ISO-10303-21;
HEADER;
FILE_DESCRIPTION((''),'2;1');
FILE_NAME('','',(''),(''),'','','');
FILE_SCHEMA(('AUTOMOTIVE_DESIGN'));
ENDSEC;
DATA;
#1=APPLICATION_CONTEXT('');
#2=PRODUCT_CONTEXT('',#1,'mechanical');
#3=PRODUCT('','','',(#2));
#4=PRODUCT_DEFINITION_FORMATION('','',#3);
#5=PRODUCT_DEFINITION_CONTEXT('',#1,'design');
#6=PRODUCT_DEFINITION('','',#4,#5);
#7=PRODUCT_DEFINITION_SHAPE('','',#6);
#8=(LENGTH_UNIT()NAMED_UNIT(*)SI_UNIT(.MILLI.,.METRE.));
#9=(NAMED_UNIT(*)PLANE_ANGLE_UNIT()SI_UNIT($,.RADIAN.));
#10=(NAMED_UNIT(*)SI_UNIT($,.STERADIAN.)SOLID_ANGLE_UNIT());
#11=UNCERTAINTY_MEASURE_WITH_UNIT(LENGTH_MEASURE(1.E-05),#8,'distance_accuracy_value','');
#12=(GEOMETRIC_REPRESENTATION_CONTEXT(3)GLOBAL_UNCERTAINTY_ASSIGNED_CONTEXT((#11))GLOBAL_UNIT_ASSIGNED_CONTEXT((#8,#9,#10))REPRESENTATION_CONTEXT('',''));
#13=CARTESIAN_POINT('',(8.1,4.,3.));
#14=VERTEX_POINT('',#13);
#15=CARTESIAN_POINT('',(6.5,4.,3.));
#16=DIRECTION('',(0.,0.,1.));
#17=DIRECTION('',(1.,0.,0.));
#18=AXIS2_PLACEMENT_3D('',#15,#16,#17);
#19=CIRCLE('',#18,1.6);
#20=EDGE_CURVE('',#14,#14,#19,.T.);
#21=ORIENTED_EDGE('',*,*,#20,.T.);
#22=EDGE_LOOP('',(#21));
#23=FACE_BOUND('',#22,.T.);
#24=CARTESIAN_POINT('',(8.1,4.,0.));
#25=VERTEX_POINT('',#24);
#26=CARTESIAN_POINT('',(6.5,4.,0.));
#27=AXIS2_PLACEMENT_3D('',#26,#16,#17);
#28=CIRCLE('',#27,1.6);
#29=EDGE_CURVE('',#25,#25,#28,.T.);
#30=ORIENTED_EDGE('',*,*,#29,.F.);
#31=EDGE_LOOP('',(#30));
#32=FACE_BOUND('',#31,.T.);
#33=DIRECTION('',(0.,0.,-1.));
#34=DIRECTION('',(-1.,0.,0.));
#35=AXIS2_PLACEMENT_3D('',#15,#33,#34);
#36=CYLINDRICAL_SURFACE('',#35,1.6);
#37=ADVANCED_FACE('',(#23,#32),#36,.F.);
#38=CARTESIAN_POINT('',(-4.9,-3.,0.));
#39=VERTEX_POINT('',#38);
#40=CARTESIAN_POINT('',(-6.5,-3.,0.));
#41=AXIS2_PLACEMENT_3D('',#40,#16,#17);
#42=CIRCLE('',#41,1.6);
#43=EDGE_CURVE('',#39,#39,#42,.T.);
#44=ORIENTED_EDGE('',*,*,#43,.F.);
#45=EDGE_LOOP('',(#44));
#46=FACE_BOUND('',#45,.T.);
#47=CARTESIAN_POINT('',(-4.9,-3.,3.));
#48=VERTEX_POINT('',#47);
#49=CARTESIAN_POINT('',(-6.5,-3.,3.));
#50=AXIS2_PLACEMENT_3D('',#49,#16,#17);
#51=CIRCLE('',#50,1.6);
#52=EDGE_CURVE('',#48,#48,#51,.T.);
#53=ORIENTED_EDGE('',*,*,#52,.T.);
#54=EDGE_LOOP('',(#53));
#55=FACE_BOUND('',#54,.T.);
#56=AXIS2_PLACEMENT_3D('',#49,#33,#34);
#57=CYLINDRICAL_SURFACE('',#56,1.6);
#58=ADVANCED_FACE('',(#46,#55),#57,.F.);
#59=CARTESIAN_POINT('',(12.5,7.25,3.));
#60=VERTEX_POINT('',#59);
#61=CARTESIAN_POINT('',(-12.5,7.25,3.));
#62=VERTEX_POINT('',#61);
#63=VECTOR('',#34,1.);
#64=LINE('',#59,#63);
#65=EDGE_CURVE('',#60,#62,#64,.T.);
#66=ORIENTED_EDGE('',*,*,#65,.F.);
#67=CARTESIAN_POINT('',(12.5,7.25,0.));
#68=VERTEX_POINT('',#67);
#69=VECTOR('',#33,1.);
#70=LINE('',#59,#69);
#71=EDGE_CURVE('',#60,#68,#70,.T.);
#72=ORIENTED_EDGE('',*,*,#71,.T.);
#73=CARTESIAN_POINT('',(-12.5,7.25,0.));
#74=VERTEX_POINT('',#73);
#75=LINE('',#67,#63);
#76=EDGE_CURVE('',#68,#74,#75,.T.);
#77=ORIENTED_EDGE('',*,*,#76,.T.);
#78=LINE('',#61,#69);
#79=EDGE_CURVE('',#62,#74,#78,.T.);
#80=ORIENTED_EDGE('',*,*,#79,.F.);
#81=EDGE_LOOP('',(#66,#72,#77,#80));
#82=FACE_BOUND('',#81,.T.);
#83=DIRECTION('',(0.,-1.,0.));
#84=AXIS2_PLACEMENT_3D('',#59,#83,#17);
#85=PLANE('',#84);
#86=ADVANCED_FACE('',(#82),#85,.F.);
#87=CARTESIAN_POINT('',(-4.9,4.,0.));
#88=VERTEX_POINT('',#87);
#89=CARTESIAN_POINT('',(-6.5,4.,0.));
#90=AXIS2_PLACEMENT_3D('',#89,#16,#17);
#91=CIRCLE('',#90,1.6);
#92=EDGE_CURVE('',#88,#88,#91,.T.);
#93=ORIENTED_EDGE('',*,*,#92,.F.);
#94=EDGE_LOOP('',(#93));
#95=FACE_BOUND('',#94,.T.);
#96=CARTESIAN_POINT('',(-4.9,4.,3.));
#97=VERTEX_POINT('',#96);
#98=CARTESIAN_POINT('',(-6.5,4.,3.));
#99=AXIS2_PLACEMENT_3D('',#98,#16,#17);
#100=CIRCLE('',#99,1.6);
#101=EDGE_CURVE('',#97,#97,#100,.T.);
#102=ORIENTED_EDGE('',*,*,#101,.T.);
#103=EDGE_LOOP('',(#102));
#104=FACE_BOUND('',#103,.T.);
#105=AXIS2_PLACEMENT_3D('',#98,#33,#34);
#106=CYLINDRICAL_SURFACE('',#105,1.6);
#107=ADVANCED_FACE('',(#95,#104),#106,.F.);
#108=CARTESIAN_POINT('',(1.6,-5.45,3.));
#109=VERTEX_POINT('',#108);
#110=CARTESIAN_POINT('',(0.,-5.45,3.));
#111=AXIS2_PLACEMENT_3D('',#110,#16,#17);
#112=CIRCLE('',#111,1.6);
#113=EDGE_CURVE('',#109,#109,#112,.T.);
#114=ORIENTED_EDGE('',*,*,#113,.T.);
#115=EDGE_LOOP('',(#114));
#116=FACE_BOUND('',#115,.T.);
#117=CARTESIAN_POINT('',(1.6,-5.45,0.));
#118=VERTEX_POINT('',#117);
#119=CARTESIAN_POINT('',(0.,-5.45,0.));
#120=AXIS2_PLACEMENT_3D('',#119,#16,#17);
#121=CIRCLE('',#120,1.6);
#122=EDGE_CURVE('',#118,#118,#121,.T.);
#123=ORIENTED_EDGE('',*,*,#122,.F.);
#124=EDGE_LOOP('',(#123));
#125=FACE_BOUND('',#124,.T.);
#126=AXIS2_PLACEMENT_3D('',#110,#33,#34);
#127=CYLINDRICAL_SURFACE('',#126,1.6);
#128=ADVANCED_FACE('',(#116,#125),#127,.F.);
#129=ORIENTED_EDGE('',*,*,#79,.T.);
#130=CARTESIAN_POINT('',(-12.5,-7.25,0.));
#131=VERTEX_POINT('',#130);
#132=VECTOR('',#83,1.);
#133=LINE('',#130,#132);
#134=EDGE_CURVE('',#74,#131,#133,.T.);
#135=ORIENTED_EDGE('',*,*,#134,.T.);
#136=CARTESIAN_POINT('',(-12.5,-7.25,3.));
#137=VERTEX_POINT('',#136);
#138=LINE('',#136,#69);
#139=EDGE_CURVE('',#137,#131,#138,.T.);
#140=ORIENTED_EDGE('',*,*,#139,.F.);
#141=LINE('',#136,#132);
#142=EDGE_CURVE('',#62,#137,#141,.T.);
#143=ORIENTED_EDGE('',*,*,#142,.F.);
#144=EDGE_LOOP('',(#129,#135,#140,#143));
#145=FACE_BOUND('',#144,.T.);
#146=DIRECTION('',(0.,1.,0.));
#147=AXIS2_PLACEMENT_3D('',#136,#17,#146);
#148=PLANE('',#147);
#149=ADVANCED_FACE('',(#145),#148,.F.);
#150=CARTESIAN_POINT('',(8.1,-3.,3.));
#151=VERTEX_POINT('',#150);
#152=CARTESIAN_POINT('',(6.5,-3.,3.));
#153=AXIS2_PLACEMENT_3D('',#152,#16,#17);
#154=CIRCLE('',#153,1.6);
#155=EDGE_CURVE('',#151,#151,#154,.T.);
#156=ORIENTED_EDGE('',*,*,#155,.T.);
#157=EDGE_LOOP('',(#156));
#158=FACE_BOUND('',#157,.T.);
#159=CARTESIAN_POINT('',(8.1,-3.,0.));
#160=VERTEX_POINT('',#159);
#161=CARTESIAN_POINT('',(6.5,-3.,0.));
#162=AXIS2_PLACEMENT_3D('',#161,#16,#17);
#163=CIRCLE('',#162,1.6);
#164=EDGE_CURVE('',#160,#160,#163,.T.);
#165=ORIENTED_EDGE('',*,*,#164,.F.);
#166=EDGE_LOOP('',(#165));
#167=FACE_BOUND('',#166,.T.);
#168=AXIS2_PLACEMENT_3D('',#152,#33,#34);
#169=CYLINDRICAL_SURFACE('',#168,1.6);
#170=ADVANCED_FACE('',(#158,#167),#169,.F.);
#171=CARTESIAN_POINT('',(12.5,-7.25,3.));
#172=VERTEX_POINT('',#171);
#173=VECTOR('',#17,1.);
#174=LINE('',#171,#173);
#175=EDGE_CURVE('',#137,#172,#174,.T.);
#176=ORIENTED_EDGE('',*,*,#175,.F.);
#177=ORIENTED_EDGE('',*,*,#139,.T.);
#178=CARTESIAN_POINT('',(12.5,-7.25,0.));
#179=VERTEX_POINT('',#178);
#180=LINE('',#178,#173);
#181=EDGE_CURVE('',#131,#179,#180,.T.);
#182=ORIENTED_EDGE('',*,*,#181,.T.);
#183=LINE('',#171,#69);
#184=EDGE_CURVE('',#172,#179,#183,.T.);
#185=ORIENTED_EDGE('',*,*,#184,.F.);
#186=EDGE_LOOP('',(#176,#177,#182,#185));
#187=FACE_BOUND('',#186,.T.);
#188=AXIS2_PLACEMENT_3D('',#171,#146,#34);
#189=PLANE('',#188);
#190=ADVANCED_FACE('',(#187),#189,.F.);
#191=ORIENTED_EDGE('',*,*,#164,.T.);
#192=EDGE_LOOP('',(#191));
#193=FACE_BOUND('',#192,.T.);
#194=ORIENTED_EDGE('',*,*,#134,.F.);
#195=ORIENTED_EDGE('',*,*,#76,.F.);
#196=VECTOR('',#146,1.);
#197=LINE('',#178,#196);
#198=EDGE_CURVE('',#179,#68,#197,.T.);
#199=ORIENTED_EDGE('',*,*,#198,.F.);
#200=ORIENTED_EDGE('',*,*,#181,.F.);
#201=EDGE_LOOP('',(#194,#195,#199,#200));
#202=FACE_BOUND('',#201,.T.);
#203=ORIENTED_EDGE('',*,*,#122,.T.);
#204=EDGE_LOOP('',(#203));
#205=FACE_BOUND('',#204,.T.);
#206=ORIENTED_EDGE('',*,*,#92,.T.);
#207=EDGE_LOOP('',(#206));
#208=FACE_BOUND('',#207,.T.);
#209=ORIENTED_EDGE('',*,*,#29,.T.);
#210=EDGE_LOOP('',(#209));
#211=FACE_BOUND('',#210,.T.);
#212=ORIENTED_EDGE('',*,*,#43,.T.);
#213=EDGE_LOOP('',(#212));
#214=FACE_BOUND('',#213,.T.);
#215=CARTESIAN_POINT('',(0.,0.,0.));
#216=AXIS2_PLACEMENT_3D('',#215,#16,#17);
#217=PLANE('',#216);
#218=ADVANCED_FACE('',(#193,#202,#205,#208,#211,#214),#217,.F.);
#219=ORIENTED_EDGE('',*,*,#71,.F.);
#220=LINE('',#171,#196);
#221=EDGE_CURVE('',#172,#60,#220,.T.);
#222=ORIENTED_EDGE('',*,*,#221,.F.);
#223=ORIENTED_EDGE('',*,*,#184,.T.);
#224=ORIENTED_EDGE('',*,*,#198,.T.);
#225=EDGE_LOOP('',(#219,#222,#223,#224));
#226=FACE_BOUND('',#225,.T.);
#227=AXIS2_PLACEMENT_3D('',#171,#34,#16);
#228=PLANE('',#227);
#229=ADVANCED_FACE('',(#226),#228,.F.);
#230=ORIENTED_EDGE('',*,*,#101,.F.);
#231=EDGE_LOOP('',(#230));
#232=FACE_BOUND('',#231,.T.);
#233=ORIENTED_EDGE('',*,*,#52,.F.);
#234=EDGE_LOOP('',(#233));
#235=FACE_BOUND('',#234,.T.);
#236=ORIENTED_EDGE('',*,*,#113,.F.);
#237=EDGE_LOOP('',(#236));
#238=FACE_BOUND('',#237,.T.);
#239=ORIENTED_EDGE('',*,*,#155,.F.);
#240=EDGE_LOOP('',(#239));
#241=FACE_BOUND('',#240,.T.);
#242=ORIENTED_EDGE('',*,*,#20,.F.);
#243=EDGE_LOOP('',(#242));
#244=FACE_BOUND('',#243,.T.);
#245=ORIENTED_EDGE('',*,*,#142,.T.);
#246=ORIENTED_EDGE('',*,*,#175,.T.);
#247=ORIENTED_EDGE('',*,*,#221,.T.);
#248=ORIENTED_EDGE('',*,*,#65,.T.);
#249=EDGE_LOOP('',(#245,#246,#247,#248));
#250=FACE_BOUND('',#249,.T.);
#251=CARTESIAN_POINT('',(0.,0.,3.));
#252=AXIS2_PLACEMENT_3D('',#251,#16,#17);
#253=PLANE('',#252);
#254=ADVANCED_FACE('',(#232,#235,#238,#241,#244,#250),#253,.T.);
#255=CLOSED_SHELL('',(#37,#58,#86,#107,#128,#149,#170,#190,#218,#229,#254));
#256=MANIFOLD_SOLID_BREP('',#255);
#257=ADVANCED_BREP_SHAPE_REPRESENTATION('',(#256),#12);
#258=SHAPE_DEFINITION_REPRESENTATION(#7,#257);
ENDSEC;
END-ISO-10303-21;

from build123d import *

# Parameters (mm, degrees)
SKETCH_1_W      = 25
SKETCH_1_H      = 14.5
SKETCH_1_R      = 1.6
EXTRUDE_1_DEPTH = 3


with BuildPart() as part:
    # 草图1 → 凸台-拉伸1 (new body)
    with BuildSketch(Plane.XY):
        Rectangle(SKETCH_1_W, SKETCH_1_H)
        with Locations((-6.5, 4)):
            Circle(SKETCH_1_R, mode=Mode.SUBTRACT)
        with Locations((6.5, 4)):
            Circle(SKETCH_1_R, mode=Mode.SUBTRACT)
        with Locations((6.5, -3)):
            Circle(SKETCH_1_R, mode=Mode.SUBTRACT)
        with Locations((0, -5.45)):
            Circle(SKETCH_1_R, mode=Mode.SUBTRACT)
        with Locations((-6.5, -3)):
            Circle(SKETCH_1_R, mode=Mode.SUBTRACT)
    extrude(amount=EXTRUDE_1_DEPTH)


solid = part.part
